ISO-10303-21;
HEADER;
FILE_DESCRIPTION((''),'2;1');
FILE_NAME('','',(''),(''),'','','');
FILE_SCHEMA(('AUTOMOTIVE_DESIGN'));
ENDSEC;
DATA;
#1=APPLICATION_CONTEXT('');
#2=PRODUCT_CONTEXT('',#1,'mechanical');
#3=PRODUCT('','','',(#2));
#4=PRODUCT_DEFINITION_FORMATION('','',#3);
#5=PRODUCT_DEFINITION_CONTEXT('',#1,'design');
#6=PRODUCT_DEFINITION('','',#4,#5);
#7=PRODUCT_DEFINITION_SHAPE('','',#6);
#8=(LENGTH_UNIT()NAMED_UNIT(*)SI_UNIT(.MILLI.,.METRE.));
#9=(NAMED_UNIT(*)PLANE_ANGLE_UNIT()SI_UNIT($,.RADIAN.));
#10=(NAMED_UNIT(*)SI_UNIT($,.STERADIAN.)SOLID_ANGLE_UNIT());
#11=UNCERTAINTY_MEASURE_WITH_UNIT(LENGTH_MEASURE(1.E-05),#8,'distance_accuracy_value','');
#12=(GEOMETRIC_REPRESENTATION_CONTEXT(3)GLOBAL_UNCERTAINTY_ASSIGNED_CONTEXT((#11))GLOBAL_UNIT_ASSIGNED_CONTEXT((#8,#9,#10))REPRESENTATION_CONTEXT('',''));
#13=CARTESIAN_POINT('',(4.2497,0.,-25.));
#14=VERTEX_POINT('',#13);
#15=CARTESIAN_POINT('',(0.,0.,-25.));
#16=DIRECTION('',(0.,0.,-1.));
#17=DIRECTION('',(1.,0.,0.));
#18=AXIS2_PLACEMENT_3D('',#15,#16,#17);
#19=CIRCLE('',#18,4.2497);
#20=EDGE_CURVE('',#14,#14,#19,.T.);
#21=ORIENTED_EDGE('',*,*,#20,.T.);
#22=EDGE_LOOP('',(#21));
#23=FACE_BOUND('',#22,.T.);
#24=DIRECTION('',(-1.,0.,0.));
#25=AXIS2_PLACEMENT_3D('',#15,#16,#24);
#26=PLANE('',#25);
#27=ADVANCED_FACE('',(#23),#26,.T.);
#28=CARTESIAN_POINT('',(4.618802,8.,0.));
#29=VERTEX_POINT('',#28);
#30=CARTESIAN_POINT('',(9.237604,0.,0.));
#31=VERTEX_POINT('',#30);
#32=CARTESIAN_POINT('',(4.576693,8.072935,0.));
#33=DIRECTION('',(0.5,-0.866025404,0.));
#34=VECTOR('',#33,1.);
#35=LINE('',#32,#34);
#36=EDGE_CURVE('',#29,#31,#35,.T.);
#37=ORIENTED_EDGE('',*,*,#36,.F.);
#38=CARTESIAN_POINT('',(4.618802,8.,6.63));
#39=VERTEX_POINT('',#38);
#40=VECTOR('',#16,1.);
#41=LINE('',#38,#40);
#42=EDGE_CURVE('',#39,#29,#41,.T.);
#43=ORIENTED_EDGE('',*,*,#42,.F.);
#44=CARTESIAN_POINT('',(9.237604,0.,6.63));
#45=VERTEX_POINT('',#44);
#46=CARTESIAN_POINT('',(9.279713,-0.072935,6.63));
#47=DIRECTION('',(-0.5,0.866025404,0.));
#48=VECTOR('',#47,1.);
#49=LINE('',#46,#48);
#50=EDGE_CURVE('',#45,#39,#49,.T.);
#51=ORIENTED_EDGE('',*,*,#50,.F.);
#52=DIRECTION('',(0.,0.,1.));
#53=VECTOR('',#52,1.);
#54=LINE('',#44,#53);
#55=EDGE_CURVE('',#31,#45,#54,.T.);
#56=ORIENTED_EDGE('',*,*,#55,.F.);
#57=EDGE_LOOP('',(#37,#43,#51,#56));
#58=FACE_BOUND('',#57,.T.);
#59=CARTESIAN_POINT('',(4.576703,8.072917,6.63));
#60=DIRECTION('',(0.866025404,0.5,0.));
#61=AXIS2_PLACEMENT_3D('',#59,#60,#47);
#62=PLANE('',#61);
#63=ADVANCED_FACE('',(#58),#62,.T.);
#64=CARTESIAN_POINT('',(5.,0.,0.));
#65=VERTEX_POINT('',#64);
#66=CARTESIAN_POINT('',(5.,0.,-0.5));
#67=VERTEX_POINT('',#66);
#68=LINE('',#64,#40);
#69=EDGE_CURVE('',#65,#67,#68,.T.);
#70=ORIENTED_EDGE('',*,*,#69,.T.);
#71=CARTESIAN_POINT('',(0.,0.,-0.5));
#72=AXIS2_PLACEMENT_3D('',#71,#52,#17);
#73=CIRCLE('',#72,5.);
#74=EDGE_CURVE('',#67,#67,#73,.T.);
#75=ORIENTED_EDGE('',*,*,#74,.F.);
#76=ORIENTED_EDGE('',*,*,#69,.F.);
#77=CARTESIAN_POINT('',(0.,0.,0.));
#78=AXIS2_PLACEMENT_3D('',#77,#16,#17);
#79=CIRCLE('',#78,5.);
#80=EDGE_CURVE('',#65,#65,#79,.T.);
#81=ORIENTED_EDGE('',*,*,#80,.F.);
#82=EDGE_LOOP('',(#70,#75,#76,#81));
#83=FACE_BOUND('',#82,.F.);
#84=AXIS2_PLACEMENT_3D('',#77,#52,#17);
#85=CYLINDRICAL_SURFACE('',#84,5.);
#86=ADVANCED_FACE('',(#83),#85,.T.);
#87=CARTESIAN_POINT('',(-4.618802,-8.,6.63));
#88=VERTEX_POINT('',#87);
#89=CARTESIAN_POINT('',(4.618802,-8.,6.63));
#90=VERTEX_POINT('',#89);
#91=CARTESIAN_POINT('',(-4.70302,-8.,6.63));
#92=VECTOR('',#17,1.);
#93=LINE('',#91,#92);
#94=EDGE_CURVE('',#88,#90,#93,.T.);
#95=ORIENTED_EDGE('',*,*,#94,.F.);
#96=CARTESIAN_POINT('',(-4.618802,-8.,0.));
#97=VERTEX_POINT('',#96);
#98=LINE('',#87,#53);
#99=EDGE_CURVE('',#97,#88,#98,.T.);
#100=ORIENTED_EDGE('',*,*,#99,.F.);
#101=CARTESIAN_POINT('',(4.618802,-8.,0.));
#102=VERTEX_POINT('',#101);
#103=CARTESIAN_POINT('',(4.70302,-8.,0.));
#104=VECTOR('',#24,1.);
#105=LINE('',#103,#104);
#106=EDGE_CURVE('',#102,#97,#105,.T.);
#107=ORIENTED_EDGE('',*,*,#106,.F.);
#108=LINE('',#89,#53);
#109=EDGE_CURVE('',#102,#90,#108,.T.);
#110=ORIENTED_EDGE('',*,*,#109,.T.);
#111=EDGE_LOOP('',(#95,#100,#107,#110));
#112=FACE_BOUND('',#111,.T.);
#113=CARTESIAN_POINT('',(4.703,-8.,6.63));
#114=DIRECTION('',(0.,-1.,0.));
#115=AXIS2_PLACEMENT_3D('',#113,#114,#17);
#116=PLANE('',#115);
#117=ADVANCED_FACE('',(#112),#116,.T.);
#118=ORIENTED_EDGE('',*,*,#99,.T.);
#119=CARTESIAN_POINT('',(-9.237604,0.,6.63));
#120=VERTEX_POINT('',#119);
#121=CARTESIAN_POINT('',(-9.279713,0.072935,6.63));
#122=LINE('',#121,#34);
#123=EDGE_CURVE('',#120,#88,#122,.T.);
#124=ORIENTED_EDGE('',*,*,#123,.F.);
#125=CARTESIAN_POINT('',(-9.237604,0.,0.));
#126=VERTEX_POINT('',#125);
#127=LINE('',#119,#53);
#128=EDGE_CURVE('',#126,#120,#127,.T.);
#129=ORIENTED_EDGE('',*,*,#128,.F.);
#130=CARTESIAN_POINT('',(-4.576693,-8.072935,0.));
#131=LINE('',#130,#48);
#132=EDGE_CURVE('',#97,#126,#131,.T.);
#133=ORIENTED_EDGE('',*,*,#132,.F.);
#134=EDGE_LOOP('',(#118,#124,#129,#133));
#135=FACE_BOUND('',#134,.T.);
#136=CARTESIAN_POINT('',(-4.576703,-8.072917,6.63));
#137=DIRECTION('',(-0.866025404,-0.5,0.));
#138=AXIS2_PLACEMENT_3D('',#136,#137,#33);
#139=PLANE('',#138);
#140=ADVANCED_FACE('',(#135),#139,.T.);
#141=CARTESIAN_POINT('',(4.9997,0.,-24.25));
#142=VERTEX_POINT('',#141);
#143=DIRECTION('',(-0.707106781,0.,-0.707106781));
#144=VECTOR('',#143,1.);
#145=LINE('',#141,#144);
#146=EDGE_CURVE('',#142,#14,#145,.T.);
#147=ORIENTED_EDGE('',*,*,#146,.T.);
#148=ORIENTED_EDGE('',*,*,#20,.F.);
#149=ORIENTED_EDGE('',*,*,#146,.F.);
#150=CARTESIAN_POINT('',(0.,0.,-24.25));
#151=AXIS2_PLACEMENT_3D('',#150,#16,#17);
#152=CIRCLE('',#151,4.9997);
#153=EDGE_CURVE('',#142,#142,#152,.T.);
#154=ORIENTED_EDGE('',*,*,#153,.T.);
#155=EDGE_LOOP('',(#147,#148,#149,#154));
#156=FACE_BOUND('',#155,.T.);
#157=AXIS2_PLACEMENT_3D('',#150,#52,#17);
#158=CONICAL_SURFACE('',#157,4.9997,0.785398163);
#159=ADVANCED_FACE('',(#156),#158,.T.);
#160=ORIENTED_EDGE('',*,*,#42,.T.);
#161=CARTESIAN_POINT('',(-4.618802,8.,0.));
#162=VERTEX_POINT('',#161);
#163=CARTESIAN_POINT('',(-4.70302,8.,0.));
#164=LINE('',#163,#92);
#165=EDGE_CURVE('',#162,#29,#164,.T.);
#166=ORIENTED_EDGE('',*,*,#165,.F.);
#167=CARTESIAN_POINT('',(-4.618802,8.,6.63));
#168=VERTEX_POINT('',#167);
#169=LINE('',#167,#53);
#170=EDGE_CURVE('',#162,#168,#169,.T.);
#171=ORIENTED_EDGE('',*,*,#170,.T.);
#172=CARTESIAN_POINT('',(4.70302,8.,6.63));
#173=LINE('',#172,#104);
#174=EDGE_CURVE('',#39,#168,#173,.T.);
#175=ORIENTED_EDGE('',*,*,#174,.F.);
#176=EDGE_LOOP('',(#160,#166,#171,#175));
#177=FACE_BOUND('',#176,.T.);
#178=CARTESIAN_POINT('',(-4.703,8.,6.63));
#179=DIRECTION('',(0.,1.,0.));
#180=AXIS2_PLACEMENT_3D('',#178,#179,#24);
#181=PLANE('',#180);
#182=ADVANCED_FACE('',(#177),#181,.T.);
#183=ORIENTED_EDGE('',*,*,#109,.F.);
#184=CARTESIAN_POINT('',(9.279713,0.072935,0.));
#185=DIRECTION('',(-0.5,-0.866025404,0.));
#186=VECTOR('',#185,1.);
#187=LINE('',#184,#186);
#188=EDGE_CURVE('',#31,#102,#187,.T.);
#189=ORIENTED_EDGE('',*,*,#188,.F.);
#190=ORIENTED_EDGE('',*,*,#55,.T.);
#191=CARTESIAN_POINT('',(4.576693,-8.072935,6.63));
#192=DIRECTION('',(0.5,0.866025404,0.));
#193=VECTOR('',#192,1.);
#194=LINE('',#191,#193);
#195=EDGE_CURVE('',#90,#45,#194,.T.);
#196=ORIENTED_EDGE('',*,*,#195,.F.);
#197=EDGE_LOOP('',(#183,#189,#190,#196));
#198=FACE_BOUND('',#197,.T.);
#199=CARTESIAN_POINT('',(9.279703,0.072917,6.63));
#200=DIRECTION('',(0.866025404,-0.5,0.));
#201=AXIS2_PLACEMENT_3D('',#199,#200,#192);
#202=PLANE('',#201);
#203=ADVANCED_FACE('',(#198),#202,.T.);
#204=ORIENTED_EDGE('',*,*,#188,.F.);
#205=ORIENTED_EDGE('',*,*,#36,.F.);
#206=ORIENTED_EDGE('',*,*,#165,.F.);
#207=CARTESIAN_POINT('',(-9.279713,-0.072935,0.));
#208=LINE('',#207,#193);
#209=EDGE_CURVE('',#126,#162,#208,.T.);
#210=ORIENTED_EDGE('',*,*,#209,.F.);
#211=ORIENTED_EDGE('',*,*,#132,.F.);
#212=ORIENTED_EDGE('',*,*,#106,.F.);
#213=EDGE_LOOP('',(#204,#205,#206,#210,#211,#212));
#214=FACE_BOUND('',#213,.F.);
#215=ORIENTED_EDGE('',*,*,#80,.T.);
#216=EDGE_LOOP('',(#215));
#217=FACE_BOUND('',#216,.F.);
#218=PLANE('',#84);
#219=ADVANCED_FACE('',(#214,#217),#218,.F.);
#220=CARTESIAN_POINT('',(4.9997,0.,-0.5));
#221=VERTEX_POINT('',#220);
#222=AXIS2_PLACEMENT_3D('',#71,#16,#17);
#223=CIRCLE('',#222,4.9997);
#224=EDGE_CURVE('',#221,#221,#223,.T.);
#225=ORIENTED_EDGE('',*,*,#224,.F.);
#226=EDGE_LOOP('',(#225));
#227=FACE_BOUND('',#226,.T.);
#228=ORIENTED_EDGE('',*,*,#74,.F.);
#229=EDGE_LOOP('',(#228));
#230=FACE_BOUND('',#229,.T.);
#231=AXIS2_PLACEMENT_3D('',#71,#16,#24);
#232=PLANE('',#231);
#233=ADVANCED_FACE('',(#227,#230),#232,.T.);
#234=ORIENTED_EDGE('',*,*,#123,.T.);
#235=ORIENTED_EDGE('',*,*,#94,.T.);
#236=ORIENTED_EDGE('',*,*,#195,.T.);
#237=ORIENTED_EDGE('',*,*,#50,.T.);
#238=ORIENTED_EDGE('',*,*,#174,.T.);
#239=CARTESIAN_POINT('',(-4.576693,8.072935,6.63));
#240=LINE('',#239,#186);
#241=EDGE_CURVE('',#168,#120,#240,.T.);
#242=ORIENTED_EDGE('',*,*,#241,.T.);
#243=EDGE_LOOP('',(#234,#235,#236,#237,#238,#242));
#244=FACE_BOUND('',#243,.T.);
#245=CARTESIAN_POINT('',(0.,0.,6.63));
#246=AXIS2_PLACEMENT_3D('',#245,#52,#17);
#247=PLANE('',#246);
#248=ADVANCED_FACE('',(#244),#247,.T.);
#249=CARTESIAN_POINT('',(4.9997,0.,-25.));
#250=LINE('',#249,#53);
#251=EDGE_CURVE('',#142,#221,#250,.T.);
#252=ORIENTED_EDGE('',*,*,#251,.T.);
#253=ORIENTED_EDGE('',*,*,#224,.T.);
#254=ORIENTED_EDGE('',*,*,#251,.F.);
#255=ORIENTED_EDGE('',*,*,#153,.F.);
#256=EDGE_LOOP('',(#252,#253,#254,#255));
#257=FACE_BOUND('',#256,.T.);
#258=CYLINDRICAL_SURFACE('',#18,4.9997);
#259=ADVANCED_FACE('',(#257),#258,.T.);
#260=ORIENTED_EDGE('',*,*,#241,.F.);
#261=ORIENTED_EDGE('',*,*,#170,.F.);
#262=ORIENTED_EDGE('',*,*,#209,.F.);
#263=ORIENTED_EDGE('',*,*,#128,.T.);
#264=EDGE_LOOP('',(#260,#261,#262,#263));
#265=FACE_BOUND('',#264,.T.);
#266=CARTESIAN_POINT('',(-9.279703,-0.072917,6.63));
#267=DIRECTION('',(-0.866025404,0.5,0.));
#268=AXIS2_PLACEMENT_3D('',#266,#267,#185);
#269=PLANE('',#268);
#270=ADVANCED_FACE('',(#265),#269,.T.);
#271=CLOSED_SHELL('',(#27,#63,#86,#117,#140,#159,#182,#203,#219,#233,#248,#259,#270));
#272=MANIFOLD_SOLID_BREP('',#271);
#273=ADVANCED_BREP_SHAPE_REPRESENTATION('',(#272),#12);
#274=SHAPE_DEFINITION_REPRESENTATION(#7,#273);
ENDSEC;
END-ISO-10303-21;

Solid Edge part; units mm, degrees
sketch "Sketch1" plane through (0, 0, 0) normal (0, 0, 1) x (1, 0, 0)
  circle A0 centre (0, 0) radius 9.28
  dimension "D1" = 18.56
extrude "Protrusion1" add sketch "Sketch1" along normal blind 6.63
sketch "Sketch2" plane through (0, 0, 0) normal (0, 0, -1) x (1, 0, 0)
  circle A0 centre (0, 0) radius 5
extrude "Protrusion2" add sketch "Sketch2" along normal blind 25
sketch "Sketch3" plane through (0, 0, -25) normal (0, 0, -1) x (1, 0, 0)
  circle A0 centre (0, 0) radius 4.9997
extrude "Cutout1" cut sketch "Sketch3" against normal blind 24.5 flip side to cut
chamfer "Chamfer_1" distance 0.75 angle 45 1 edges at (-4.9997, 0, -25)
sketch "Sketch4" plane through (0, 0, 6.63) normal (0, 0, 1) x (1, 0, 0)
  line L0 (-4.703, 8) -> (4.703, 8)
  dimension "D1" = 16
extrude "Cutout2" cut sketch "Sketch4" against normal up to next material side at (0, 8.05, 6.63)
pattern_circular "Pattern1" count 6 over 360 about axis through (0, 0, 6.63) along (0, 0, 1) of "Cutout2"
properties part number "24100791"
